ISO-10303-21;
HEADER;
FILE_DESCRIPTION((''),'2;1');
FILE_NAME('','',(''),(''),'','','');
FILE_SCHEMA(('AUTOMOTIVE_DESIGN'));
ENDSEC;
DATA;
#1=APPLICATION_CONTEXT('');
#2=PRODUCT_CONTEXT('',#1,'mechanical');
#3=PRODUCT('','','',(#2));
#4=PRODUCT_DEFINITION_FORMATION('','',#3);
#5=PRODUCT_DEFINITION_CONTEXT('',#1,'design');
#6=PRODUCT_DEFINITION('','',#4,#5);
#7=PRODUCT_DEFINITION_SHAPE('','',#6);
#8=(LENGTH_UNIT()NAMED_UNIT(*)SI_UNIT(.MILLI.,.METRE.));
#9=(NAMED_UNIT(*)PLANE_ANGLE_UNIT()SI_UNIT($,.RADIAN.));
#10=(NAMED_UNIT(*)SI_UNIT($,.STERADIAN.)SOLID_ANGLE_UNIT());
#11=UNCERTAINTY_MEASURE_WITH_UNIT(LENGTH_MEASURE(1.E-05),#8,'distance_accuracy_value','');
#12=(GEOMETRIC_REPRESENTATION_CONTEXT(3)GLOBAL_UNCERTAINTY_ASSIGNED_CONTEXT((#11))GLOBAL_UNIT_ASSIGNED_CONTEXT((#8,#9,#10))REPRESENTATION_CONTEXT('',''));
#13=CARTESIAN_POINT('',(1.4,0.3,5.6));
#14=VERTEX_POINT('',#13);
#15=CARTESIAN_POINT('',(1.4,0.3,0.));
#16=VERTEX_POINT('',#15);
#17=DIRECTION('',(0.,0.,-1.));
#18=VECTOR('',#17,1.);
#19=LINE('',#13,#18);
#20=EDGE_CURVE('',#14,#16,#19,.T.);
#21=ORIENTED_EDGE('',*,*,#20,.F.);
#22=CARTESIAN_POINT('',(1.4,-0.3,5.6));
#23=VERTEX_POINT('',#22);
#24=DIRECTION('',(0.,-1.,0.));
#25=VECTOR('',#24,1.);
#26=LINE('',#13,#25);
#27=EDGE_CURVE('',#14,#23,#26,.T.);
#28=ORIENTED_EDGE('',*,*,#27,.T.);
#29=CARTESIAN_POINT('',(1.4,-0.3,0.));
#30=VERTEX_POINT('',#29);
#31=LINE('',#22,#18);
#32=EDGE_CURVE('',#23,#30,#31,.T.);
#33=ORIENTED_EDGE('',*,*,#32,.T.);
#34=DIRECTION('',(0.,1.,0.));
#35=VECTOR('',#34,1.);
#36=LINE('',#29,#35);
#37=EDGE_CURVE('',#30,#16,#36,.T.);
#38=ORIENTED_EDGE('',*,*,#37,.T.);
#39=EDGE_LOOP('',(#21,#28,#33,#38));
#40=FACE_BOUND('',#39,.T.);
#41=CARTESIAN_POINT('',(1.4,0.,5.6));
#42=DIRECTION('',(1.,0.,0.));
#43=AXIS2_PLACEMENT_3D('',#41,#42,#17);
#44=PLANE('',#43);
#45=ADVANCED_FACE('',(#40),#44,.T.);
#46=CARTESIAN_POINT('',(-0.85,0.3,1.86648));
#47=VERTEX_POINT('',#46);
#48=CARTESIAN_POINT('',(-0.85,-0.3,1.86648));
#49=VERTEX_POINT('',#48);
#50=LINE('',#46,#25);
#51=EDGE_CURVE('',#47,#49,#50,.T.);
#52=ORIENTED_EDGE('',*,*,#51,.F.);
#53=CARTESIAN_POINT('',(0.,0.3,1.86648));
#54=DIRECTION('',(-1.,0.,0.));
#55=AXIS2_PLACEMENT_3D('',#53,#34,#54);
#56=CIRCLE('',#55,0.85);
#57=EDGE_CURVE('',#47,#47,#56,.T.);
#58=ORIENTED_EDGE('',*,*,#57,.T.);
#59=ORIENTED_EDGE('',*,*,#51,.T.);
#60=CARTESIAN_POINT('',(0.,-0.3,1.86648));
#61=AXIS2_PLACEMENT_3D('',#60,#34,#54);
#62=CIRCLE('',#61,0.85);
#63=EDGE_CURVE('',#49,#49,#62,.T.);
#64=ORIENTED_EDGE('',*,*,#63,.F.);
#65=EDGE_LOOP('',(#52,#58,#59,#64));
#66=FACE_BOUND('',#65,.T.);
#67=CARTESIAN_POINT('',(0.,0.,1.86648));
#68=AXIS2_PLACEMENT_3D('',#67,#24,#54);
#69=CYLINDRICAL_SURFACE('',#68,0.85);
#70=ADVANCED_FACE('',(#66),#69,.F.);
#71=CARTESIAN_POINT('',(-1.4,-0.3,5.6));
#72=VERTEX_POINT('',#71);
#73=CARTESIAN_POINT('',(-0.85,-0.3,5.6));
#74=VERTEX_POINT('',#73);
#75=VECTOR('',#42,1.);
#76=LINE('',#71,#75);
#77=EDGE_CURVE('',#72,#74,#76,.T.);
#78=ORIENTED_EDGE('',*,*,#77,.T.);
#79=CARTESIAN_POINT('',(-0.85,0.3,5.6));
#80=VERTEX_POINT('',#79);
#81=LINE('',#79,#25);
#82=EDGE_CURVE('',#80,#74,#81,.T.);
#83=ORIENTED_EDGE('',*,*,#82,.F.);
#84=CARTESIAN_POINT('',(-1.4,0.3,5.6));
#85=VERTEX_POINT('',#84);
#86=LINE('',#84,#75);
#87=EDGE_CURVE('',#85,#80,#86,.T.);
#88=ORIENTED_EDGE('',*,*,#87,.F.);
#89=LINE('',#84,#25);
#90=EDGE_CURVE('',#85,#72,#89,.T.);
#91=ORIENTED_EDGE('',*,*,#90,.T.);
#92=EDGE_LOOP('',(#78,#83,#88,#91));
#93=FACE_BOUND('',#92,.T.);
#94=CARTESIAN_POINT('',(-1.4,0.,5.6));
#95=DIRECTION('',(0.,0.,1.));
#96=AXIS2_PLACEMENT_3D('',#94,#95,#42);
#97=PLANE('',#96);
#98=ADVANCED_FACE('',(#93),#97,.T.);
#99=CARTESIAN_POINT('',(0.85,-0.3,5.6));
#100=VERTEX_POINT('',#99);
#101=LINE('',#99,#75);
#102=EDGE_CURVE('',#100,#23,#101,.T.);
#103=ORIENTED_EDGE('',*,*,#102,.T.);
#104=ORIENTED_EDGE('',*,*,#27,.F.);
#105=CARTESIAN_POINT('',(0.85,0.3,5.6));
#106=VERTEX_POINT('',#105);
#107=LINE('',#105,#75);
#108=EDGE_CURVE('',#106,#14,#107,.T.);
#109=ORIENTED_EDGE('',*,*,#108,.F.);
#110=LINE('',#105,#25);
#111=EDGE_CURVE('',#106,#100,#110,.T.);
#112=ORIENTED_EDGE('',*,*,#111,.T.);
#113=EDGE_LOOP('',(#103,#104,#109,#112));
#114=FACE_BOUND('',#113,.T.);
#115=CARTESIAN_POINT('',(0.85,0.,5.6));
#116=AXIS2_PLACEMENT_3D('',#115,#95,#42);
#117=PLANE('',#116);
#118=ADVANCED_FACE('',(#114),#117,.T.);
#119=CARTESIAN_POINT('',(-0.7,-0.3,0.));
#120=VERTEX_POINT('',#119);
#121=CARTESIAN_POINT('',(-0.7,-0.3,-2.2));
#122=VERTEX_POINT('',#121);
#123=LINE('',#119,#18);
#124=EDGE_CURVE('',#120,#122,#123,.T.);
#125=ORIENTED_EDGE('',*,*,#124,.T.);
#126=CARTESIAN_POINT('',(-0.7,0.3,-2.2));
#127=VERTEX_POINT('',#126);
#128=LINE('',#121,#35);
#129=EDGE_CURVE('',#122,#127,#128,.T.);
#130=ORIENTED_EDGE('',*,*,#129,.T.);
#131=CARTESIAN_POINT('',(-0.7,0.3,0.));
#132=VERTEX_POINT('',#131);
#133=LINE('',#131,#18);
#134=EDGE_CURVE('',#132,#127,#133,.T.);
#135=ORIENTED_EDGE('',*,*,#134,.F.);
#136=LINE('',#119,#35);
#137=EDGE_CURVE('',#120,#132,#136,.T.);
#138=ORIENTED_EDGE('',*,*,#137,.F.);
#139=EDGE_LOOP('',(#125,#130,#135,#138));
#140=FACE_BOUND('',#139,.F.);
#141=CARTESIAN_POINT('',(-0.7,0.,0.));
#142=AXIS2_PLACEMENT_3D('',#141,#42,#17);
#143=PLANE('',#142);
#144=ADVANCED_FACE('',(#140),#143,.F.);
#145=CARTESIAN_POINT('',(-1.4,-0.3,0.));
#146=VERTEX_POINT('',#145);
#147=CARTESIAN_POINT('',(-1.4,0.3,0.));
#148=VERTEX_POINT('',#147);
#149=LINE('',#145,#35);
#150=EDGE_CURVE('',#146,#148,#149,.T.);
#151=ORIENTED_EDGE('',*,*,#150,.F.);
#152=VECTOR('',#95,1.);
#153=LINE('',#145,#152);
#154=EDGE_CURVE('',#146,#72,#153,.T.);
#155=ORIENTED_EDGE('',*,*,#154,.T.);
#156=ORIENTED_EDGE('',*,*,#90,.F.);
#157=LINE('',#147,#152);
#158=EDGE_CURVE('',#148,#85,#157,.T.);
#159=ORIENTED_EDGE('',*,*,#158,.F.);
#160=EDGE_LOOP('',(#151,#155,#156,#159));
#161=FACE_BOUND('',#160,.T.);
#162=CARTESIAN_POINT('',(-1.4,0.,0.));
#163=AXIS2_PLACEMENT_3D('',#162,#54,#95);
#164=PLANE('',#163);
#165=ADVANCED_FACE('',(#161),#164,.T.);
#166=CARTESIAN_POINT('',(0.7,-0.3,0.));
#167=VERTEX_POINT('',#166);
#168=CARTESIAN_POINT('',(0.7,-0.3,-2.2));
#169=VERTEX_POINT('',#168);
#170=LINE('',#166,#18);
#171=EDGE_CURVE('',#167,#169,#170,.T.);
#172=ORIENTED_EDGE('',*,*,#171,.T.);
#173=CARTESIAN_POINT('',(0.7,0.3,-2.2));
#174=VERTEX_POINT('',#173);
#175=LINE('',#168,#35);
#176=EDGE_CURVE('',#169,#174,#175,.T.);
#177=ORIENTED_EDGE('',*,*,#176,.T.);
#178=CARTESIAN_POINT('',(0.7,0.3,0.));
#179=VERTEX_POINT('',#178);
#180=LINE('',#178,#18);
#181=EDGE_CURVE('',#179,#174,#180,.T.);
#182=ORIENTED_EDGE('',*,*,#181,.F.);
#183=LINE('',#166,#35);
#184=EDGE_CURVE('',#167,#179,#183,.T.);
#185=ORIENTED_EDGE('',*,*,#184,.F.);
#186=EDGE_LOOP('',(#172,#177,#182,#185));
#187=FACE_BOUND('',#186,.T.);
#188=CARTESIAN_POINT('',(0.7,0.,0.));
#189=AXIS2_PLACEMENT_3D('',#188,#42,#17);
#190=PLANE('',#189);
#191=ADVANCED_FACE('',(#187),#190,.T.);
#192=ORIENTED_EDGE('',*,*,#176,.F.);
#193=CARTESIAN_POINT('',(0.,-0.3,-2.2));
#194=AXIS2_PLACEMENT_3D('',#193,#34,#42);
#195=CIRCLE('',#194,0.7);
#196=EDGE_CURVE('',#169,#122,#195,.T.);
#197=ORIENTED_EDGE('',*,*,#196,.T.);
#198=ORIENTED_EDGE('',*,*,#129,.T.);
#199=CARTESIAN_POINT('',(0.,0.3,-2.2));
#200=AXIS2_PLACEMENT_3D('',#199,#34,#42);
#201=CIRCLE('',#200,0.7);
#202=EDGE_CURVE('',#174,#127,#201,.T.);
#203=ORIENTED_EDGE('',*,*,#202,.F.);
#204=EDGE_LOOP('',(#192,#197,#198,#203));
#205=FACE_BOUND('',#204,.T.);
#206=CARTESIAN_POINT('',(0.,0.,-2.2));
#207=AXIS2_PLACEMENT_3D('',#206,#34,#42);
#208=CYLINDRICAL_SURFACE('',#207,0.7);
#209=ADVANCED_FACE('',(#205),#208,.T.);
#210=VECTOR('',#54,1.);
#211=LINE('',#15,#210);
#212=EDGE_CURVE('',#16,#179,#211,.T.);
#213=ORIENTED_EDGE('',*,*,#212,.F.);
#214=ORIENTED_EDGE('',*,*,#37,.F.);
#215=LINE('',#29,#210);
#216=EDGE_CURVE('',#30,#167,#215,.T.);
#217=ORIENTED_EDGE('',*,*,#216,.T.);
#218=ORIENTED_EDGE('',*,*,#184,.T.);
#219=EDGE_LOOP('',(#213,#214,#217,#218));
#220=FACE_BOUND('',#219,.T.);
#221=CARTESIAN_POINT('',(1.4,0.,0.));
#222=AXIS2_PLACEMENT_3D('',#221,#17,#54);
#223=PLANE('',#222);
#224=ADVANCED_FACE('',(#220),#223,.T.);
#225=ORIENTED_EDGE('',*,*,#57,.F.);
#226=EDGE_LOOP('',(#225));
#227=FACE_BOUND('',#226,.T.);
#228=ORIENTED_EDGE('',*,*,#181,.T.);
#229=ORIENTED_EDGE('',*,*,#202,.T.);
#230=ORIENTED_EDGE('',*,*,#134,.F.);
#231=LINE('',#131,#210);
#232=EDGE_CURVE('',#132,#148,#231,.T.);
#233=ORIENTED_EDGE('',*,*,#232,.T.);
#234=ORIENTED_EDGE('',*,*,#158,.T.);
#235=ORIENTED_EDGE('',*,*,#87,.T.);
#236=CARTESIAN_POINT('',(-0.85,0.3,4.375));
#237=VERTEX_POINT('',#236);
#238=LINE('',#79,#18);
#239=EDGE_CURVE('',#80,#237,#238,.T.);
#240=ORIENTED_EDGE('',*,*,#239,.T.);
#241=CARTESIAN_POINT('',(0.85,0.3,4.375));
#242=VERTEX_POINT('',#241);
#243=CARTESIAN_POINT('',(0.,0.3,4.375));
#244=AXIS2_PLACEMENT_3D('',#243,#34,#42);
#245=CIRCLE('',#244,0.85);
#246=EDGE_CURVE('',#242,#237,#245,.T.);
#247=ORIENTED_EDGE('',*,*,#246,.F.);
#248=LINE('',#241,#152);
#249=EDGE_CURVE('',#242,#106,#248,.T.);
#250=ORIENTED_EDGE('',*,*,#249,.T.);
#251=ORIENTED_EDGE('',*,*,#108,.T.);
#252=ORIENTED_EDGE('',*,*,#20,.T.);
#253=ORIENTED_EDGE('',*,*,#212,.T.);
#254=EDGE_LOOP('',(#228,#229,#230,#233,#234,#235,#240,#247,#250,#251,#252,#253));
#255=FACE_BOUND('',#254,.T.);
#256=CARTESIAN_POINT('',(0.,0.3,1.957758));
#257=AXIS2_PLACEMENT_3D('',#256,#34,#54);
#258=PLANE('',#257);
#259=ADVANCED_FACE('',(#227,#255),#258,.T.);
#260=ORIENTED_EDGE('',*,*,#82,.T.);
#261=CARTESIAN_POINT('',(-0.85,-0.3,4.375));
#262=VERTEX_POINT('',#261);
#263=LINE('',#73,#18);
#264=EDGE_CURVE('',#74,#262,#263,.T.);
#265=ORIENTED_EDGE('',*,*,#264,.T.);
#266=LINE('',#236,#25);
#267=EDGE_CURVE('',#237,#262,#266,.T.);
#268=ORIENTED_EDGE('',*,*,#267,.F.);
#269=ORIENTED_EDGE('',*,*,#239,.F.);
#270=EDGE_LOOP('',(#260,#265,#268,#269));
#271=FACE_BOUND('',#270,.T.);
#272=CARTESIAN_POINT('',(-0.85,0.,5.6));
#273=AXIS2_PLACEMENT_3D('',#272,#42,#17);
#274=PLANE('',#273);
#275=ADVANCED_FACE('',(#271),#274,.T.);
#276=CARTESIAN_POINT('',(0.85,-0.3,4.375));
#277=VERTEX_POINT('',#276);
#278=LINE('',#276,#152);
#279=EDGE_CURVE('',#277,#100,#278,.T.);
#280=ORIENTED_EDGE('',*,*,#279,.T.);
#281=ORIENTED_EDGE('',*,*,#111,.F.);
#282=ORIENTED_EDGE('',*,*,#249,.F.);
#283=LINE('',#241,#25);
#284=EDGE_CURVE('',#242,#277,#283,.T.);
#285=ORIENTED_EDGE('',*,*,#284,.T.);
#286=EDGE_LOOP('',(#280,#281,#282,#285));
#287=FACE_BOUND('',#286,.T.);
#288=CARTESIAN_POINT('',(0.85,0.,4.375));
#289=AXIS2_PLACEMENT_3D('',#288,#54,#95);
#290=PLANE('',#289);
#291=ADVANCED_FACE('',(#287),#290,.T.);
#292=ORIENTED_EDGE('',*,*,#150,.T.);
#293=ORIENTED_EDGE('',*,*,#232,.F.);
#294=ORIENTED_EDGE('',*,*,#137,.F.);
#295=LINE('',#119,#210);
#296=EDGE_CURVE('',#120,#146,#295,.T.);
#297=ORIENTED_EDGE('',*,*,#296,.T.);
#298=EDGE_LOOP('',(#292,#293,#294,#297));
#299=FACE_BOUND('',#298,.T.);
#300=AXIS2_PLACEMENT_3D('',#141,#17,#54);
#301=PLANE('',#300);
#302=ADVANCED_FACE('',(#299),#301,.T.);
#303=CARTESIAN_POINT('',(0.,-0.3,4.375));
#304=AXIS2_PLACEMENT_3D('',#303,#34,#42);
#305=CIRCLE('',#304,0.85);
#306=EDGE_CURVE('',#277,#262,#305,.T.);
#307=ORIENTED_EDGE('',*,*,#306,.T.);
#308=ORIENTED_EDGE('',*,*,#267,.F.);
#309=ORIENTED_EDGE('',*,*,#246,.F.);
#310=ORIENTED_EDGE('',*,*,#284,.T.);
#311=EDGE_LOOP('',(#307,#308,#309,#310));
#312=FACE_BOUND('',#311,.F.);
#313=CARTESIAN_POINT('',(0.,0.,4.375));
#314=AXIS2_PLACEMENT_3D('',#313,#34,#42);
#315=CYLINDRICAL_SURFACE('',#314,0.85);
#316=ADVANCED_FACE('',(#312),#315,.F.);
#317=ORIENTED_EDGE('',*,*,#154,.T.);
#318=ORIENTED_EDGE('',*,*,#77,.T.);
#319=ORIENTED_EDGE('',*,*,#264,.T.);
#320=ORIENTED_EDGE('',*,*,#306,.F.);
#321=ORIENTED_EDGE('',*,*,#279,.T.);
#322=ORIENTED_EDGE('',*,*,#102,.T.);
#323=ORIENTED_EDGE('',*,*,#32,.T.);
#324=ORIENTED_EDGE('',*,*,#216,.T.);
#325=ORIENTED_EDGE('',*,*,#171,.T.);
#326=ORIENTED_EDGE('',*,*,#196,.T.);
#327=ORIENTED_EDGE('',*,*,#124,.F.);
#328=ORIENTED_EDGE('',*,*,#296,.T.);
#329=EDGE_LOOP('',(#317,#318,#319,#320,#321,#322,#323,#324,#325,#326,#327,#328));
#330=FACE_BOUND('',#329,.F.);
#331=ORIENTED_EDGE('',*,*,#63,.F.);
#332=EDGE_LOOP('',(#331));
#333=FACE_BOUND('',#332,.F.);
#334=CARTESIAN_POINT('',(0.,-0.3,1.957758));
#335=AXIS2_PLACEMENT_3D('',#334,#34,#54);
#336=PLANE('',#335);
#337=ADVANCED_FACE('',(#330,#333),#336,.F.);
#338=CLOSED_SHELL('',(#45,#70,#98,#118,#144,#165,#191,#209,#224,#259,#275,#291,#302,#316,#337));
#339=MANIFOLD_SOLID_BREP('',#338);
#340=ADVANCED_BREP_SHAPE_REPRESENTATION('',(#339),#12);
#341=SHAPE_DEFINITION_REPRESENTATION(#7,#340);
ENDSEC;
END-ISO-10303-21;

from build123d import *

# Parameters (mm, degrees)
SKETCH_R  = 0.85
PAD_DEPTH = 0.3


with BuildPart() as part:
    # Sketch → Pad (new body, symmetric)
    with BuildSketch(Plane(origin=(0, 0, 0), x_dir=(-1, 0, 0), z_dir=(0, 1, 0))):
        with BuildLine():
            Line((-1.4, 5.6), (-1.4, 0))
            Line((-1.4, 0), (-0.7, 0))
            Line((-0.7, 0), (-0.7, -2.2))
            ThreePointArc((-0.7, -2.2), (0, -2.9), (0.7, -2.2))
            Line((0.7, 0), (0.7, -2.2))
            Line((0.7, 0), (1.4, 0))
            Line((1.4, 0), (1.4, 5.6))
            Line((1.4, 5.6), (0.85, 5.6))
            Line((0.85, 5.6), (0.85, 4.375))
            ThreePointArc((-0.85, 4.375), (0, 3.525), (0.85, 4.375))
            Line((-0.85, 4.375), (-0.85, 5.6))
            Line((-0.85, 5.6), (-1.4, 5.6))
        make_face()
        with Locations((0, 1.86648)):
            Circle(SKETCH_R, mode=Mode.SUBTRACT)
    extrude(amount=PAD_DEPTH, both=True)


solid = part.part
